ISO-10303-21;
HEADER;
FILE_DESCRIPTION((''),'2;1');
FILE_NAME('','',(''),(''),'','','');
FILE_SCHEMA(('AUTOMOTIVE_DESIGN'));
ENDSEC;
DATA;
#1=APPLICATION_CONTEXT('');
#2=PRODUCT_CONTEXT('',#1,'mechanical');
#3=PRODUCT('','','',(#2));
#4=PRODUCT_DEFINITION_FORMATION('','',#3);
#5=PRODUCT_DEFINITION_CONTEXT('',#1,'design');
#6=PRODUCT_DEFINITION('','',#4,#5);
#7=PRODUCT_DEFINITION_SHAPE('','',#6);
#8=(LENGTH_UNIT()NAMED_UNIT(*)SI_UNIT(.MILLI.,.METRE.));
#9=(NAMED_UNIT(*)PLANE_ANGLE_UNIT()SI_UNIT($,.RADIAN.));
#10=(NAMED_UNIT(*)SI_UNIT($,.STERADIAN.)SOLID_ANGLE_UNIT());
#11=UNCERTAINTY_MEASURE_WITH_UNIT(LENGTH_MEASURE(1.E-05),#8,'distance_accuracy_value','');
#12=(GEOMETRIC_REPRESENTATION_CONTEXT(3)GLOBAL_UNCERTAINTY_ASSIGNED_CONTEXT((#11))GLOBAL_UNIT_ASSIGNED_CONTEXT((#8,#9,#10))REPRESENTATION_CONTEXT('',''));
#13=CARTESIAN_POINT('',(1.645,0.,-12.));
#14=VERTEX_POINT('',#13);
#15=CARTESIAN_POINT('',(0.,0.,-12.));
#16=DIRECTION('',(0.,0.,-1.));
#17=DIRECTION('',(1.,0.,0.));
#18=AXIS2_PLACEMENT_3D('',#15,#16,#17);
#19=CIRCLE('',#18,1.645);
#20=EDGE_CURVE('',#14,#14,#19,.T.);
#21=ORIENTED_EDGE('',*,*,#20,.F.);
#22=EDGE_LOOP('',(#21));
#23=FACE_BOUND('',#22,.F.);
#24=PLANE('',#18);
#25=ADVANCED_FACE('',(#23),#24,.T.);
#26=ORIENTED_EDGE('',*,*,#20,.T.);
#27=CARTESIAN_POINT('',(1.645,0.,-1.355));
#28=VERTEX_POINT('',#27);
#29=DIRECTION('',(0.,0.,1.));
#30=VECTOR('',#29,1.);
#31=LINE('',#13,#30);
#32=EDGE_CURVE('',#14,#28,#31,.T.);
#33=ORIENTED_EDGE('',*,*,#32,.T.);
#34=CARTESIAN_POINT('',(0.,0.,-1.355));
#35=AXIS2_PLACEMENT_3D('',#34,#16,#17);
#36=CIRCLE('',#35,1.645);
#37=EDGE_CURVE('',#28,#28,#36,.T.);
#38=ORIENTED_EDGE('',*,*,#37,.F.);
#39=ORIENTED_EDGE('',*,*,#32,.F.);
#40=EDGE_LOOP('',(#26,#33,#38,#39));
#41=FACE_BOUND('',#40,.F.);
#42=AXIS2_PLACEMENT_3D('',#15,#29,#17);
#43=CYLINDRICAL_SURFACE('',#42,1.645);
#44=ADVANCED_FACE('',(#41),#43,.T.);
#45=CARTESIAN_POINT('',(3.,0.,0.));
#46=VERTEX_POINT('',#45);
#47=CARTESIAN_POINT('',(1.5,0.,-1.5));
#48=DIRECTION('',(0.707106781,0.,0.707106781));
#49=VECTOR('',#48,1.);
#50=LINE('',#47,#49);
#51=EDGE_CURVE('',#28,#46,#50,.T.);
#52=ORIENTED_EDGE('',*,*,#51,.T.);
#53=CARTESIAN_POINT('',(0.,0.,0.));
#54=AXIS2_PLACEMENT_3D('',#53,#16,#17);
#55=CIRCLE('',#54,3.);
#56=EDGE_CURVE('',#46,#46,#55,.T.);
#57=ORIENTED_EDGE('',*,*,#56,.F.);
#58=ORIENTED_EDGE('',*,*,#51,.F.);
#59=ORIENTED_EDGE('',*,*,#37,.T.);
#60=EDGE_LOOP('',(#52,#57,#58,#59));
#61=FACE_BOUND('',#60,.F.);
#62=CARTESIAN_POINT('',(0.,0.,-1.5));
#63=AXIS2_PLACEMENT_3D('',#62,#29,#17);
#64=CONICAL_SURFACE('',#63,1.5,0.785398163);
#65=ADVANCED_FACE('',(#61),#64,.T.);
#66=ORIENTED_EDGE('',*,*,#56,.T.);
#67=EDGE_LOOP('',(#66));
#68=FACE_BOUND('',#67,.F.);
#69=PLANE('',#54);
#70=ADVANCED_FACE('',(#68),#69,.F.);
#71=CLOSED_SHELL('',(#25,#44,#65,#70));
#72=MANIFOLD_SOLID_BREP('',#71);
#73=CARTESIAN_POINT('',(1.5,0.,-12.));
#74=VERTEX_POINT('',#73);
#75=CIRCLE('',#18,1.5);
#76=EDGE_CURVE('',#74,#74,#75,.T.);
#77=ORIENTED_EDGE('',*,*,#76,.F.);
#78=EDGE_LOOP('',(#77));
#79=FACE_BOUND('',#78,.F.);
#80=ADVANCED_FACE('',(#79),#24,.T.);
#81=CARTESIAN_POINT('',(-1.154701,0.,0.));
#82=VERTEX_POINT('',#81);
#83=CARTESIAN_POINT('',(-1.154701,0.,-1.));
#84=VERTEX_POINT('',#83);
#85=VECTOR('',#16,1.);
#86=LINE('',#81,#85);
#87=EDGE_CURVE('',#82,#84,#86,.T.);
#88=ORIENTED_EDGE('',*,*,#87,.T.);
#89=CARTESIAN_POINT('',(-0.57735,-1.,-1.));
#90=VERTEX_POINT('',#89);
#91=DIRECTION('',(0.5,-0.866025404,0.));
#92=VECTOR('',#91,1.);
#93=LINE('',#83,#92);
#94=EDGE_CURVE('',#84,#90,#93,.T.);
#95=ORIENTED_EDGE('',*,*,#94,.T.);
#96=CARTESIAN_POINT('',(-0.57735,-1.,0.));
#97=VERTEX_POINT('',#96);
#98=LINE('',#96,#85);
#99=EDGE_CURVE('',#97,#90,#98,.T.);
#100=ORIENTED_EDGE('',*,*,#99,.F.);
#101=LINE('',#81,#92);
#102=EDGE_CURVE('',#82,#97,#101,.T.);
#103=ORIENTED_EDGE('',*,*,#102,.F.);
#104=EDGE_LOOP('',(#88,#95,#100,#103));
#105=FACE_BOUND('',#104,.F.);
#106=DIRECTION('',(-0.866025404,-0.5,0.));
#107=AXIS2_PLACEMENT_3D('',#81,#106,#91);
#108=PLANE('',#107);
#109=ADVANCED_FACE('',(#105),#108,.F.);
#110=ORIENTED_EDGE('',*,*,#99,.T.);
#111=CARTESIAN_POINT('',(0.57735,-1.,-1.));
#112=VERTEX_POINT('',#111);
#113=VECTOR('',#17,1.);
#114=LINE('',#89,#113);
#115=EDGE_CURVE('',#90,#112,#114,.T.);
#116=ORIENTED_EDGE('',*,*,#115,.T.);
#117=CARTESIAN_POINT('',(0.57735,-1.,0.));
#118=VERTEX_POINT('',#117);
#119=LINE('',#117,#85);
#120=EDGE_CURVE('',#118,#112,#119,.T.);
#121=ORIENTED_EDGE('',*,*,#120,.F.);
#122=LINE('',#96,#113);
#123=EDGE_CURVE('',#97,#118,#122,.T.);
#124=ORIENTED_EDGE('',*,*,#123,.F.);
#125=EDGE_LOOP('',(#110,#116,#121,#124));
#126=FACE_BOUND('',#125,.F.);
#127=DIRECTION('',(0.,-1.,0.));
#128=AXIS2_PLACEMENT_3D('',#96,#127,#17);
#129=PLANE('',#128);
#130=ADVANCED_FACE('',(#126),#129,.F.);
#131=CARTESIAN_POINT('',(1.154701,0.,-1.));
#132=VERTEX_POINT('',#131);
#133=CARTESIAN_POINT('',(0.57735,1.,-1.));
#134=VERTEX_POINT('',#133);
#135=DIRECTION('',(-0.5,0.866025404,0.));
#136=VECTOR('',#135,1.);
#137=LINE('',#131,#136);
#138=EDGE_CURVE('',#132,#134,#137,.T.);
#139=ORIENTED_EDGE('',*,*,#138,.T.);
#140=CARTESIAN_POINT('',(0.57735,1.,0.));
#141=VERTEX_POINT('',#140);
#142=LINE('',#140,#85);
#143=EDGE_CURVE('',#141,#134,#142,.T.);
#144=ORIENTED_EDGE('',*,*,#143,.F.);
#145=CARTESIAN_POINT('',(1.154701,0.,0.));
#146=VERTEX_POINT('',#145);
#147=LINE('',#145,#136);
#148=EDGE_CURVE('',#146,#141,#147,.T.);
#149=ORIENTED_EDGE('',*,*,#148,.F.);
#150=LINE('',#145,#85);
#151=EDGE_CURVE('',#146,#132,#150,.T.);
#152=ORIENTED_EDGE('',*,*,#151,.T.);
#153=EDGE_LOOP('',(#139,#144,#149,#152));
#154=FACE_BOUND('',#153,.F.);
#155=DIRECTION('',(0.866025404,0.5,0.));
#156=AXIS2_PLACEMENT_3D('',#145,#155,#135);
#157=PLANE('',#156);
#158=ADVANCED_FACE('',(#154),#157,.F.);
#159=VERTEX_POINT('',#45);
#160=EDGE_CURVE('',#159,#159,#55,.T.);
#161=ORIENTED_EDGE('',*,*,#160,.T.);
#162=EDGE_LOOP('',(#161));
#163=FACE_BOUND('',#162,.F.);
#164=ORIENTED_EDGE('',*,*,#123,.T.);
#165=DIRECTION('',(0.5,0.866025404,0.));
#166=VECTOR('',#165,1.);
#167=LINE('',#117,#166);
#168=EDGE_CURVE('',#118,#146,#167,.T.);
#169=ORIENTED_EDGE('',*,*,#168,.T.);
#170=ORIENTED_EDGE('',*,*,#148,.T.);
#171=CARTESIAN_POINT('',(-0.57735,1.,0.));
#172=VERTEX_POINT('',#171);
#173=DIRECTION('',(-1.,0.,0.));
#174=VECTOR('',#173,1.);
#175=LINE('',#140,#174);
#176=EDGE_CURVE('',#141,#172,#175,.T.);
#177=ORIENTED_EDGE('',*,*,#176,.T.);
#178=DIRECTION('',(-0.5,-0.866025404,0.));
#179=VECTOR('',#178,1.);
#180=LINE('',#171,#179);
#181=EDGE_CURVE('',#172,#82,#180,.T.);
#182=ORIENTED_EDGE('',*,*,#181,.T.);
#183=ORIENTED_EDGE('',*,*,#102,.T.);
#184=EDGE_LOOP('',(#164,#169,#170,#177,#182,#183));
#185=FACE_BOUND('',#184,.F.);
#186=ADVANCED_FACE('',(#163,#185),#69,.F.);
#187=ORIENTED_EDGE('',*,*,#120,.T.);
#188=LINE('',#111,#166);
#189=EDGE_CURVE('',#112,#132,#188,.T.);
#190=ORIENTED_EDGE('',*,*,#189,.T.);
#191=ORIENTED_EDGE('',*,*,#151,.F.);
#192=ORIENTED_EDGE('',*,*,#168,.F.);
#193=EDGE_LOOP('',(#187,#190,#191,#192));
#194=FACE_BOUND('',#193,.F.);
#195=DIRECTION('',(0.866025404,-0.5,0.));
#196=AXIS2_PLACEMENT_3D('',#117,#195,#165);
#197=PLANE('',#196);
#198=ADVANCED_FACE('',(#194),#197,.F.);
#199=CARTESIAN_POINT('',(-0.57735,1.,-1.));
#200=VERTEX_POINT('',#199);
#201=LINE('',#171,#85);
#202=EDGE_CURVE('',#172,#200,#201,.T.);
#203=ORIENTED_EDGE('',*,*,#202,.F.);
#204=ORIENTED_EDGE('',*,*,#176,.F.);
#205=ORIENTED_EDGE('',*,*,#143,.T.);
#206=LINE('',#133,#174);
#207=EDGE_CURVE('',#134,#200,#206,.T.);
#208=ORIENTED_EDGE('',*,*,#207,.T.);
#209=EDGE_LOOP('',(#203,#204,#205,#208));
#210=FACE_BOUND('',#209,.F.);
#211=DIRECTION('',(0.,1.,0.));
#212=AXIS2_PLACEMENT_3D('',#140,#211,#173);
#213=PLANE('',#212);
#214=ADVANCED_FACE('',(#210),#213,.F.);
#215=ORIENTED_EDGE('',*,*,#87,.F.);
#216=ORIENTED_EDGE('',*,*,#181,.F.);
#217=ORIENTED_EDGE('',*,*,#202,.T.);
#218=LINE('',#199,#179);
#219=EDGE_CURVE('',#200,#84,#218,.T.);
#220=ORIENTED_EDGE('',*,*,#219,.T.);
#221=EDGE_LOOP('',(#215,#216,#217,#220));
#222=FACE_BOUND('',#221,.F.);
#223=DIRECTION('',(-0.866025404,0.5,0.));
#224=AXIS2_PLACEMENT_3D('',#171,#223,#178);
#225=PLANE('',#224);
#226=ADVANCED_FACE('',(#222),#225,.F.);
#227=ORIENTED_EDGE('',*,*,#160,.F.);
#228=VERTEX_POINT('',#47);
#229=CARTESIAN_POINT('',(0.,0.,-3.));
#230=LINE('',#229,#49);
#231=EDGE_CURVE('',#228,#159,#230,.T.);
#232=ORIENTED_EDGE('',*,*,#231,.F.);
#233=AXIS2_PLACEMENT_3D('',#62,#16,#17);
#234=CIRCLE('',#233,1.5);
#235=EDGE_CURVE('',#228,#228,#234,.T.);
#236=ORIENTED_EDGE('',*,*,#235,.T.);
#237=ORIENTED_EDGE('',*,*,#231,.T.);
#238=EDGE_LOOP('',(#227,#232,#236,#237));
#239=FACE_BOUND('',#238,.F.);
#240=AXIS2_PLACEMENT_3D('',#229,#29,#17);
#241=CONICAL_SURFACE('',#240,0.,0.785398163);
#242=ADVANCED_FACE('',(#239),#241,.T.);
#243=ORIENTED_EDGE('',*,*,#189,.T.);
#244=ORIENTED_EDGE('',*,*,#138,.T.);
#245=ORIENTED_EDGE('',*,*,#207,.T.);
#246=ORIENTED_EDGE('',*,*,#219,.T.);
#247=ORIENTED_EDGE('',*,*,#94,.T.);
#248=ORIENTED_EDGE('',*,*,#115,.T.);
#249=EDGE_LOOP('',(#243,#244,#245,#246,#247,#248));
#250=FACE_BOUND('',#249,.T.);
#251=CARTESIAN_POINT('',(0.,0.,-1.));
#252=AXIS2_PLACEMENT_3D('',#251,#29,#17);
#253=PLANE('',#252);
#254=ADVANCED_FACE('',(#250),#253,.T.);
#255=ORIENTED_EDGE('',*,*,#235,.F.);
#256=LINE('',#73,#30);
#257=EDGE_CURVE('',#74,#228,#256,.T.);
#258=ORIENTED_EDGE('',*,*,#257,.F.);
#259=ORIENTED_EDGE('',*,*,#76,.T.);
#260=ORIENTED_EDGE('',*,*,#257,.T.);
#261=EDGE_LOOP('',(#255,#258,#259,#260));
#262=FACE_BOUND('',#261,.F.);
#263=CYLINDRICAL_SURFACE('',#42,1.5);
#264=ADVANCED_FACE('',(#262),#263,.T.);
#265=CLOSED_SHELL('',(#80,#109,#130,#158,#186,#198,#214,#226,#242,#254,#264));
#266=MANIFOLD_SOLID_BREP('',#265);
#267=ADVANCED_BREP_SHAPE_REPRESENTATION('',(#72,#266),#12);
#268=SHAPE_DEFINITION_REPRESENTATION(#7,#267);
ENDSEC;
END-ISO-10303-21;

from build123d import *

# Parameters (mm, degrees)
F3_DEPTH = 1


with BuildPart() as f2:
    # F1 (on Front) → F2 (revolve)
    with BuildSketch(Plane.XZ):
        Polygon((3, 0), (1.5, 0), (1.5, -1.5), (1.645, -1.355), align=None)
        Polygon((1.5, 0), (0, 0), (0, -3), (1.5, -1.5), align=None)
        Polygon((1.5, -1.5), (0, -3), (0, -12), (1.5, -12), align=None)
    revolve(axis=Axis((0, 0, -6), (0, 0, -1)))

    # F0 (on Top) → F3 (cut)
    with BuildSketch(Plane.XY):
        Polygon((0.5773502692, 1), (-0.5773502692, 1), (-1.1547005384, 0), (-0.5773502692, -1), (0.5773502692, -1), (1.1547005384, 0), align=None)
    extrude(amount=-F3_DEPTH, mode=Mode.SUBTRACT)


with BuildPart() as f4:
    # F1 (on Front) → F4 (revolve)
    with BuildSketch(Plane.XZ):
        Polygon((1.5, -1.5), (0, -3), (0, -12), (1.5, -12), align=None)
        Polygon((1.5, 0), (0, 0), (0, -3), (1.5, -1.5), align=None)
        Polygon((3, 0), (1.5, 0), (1.5, -1.5), (1.645, -1.355), align=None)
        Polygon((1.645, -1.355), (1.5, -1.5), (1.5, -12), (1.645, -12), align=None)
    revolve(axis=Axis((0, 0, -6), (0, 0, -1)))


solid = Compound([f2.part, f4.part])
